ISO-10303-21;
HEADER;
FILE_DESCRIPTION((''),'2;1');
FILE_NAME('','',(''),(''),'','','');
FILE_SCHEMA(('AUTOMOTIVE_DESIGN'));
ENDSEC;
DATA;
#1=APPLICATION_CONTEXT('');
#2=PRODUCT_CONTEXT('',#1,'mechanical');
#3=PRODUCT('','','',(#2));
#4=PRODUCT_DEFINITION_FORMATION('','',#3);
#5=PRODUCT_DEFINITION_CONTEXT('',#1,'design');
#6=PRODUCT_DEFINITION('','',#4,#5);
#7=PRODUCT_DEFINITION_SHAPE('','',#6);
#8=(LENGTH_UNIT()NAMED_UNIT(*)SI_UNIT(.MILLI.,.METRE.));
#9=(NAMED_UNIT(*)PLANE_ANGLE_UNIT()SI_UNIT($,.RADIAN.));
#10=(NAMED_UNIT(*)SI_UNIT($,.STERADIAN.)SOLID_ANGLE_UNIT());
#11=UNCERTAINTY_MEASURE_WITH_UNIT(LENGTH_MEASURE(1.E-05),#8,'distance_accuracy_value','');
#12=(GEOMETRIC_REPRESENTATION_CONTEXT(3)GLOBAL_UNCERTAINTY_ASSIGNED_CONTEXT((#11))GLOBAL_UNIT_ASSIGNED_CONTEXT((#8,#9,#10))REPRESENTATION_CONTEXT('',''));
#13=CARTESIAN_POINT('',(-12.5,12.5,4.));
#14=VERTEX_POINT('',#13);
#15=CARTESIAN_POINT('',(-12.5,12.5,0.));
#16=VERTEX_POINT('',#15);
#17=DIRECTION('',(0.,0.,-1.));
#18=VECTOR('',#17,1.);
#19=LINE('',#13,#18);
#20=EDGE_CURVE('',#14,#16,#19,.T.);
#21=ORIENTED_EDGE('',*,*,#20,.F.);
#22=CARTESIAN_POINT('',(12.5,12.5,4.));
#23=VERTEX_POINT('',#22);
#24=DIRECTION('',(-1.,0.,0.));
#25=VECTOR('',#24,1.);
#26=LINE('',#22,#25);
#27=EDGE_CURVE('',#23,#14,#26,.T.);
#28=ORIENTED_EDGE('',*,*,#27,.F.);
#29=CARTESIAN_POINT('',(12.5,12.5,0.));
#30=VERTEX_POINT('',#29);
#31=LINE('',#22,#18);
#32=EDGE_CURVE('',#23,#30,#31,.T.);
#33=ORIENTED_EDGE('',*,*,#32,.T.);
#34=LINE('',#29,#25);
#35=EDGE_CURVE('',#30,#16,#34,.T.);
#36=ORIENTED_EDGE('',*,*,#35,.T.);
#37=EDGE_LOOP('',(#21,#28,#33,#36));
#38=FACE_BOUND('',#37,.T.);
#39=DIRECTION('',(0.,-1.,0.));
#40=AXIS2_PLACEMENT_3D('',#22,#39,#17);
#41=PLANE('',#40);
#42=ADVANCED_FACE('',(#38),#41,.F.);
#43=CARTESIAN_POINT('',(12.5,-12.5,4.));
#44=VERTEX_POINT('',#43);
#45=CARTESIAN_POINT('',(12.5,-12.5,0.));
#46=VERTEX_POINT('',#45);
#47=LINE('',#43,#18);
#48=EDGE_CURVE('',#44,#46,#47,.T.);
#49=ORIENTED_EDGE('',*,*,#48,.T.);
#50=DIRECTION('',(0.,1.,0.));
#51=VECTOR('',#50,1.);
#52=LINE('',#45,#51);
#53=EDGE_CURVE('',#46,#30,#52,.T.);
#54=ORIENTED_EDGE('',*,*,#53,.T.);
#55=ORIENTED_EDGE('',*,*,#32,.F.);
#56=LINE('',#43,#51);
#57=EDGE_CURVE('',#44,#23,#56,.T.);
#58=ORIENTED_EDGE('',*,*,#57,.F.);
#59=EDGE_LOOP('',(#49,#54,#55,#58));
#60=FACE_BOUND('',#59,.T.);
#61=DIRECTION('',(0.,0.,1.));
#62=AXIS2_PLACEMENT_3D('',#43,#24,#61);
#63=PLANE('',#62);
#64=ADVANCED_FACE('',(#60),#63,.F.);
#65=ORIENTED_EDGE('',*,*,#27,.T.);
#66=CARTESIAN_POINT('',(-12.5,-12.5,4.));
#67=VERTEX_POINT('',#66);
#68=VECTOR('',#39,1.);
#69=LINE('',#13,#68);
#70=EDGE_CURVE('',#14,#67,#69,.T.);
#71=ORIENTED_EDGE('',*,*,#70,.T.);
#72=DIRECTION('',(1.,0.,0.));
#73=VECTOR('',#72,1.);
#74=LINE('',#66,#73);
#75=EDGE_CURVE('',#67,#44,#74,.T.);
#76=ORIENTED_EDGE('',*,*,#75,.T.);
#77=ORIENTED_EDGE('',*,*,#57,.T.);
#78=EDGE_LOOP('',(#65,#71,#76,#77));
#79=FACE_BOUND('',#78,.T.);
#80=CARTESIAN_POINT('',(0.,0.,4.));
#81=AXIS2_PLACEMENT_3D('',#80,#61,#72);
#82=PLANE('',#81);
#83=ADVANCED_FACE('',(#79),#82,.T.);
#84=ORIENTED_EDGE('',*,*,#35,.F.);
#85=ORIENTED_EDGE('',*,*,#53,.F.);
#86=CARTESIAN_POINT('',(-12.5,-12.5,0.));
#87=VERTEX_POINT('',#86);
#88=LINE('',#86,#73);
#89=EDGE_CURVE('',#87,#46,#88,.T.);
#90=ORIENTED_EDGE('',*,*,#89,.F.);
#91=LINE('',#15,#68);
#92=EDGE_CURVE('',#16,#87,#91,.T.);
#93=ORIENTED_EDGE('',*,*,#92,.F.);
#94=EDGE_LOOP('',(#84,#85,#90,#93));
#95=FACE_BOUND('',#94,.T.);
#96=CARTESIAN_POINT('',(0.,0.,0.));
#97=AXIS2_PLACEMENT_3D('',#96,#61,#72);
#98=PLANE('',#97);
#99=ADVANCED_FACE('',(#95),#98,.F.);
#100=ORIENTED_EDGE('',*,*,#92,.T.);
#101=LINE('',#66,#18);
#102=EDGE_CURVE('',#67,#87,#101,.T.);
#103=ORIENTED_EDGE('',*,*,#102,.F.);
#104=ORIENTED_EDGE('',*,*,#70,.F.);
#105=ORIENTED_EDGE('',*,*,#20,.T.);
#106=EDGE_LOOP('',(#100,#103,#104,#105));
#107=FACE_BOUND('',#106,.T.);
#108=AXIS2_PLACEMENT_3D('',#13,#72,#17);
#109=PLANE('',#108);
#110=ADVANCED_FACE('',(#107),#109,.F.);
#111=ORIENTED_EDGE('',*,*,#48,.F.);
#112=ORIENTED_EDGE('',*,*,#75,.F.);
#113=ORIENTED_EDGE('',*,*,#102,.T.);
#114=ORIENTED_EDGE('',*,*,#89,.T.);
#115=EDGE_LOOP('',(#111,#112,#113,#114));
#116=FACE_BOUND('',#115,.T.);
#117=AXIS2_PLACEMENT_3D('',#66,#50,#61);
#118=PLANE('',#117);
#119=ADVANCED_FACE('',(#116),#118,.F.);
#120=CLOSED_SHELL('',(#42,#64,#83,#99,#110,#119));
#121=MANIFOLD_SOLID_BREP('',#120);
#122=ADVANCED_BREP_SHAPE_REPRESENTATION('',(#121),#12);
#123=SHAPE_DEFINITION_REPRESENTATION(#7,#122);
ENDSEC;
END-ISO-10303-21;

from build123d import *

# Parameters (mm, degrees)
SKETCH_1_W      = 25
SKETCH_1_H      = 25
EXTRUDE_1_DEPTH = 4


with BuildPart() as part:
    # 草圖1 → 填料-伸長1 (new body)
    with BuildSketch(Plane.XY):
        Rectangle(SKETCH_1_W, SKETCH_1_H)
    extrude(amount=EXTRUDE_1_DEPTH)


solid = part.part
